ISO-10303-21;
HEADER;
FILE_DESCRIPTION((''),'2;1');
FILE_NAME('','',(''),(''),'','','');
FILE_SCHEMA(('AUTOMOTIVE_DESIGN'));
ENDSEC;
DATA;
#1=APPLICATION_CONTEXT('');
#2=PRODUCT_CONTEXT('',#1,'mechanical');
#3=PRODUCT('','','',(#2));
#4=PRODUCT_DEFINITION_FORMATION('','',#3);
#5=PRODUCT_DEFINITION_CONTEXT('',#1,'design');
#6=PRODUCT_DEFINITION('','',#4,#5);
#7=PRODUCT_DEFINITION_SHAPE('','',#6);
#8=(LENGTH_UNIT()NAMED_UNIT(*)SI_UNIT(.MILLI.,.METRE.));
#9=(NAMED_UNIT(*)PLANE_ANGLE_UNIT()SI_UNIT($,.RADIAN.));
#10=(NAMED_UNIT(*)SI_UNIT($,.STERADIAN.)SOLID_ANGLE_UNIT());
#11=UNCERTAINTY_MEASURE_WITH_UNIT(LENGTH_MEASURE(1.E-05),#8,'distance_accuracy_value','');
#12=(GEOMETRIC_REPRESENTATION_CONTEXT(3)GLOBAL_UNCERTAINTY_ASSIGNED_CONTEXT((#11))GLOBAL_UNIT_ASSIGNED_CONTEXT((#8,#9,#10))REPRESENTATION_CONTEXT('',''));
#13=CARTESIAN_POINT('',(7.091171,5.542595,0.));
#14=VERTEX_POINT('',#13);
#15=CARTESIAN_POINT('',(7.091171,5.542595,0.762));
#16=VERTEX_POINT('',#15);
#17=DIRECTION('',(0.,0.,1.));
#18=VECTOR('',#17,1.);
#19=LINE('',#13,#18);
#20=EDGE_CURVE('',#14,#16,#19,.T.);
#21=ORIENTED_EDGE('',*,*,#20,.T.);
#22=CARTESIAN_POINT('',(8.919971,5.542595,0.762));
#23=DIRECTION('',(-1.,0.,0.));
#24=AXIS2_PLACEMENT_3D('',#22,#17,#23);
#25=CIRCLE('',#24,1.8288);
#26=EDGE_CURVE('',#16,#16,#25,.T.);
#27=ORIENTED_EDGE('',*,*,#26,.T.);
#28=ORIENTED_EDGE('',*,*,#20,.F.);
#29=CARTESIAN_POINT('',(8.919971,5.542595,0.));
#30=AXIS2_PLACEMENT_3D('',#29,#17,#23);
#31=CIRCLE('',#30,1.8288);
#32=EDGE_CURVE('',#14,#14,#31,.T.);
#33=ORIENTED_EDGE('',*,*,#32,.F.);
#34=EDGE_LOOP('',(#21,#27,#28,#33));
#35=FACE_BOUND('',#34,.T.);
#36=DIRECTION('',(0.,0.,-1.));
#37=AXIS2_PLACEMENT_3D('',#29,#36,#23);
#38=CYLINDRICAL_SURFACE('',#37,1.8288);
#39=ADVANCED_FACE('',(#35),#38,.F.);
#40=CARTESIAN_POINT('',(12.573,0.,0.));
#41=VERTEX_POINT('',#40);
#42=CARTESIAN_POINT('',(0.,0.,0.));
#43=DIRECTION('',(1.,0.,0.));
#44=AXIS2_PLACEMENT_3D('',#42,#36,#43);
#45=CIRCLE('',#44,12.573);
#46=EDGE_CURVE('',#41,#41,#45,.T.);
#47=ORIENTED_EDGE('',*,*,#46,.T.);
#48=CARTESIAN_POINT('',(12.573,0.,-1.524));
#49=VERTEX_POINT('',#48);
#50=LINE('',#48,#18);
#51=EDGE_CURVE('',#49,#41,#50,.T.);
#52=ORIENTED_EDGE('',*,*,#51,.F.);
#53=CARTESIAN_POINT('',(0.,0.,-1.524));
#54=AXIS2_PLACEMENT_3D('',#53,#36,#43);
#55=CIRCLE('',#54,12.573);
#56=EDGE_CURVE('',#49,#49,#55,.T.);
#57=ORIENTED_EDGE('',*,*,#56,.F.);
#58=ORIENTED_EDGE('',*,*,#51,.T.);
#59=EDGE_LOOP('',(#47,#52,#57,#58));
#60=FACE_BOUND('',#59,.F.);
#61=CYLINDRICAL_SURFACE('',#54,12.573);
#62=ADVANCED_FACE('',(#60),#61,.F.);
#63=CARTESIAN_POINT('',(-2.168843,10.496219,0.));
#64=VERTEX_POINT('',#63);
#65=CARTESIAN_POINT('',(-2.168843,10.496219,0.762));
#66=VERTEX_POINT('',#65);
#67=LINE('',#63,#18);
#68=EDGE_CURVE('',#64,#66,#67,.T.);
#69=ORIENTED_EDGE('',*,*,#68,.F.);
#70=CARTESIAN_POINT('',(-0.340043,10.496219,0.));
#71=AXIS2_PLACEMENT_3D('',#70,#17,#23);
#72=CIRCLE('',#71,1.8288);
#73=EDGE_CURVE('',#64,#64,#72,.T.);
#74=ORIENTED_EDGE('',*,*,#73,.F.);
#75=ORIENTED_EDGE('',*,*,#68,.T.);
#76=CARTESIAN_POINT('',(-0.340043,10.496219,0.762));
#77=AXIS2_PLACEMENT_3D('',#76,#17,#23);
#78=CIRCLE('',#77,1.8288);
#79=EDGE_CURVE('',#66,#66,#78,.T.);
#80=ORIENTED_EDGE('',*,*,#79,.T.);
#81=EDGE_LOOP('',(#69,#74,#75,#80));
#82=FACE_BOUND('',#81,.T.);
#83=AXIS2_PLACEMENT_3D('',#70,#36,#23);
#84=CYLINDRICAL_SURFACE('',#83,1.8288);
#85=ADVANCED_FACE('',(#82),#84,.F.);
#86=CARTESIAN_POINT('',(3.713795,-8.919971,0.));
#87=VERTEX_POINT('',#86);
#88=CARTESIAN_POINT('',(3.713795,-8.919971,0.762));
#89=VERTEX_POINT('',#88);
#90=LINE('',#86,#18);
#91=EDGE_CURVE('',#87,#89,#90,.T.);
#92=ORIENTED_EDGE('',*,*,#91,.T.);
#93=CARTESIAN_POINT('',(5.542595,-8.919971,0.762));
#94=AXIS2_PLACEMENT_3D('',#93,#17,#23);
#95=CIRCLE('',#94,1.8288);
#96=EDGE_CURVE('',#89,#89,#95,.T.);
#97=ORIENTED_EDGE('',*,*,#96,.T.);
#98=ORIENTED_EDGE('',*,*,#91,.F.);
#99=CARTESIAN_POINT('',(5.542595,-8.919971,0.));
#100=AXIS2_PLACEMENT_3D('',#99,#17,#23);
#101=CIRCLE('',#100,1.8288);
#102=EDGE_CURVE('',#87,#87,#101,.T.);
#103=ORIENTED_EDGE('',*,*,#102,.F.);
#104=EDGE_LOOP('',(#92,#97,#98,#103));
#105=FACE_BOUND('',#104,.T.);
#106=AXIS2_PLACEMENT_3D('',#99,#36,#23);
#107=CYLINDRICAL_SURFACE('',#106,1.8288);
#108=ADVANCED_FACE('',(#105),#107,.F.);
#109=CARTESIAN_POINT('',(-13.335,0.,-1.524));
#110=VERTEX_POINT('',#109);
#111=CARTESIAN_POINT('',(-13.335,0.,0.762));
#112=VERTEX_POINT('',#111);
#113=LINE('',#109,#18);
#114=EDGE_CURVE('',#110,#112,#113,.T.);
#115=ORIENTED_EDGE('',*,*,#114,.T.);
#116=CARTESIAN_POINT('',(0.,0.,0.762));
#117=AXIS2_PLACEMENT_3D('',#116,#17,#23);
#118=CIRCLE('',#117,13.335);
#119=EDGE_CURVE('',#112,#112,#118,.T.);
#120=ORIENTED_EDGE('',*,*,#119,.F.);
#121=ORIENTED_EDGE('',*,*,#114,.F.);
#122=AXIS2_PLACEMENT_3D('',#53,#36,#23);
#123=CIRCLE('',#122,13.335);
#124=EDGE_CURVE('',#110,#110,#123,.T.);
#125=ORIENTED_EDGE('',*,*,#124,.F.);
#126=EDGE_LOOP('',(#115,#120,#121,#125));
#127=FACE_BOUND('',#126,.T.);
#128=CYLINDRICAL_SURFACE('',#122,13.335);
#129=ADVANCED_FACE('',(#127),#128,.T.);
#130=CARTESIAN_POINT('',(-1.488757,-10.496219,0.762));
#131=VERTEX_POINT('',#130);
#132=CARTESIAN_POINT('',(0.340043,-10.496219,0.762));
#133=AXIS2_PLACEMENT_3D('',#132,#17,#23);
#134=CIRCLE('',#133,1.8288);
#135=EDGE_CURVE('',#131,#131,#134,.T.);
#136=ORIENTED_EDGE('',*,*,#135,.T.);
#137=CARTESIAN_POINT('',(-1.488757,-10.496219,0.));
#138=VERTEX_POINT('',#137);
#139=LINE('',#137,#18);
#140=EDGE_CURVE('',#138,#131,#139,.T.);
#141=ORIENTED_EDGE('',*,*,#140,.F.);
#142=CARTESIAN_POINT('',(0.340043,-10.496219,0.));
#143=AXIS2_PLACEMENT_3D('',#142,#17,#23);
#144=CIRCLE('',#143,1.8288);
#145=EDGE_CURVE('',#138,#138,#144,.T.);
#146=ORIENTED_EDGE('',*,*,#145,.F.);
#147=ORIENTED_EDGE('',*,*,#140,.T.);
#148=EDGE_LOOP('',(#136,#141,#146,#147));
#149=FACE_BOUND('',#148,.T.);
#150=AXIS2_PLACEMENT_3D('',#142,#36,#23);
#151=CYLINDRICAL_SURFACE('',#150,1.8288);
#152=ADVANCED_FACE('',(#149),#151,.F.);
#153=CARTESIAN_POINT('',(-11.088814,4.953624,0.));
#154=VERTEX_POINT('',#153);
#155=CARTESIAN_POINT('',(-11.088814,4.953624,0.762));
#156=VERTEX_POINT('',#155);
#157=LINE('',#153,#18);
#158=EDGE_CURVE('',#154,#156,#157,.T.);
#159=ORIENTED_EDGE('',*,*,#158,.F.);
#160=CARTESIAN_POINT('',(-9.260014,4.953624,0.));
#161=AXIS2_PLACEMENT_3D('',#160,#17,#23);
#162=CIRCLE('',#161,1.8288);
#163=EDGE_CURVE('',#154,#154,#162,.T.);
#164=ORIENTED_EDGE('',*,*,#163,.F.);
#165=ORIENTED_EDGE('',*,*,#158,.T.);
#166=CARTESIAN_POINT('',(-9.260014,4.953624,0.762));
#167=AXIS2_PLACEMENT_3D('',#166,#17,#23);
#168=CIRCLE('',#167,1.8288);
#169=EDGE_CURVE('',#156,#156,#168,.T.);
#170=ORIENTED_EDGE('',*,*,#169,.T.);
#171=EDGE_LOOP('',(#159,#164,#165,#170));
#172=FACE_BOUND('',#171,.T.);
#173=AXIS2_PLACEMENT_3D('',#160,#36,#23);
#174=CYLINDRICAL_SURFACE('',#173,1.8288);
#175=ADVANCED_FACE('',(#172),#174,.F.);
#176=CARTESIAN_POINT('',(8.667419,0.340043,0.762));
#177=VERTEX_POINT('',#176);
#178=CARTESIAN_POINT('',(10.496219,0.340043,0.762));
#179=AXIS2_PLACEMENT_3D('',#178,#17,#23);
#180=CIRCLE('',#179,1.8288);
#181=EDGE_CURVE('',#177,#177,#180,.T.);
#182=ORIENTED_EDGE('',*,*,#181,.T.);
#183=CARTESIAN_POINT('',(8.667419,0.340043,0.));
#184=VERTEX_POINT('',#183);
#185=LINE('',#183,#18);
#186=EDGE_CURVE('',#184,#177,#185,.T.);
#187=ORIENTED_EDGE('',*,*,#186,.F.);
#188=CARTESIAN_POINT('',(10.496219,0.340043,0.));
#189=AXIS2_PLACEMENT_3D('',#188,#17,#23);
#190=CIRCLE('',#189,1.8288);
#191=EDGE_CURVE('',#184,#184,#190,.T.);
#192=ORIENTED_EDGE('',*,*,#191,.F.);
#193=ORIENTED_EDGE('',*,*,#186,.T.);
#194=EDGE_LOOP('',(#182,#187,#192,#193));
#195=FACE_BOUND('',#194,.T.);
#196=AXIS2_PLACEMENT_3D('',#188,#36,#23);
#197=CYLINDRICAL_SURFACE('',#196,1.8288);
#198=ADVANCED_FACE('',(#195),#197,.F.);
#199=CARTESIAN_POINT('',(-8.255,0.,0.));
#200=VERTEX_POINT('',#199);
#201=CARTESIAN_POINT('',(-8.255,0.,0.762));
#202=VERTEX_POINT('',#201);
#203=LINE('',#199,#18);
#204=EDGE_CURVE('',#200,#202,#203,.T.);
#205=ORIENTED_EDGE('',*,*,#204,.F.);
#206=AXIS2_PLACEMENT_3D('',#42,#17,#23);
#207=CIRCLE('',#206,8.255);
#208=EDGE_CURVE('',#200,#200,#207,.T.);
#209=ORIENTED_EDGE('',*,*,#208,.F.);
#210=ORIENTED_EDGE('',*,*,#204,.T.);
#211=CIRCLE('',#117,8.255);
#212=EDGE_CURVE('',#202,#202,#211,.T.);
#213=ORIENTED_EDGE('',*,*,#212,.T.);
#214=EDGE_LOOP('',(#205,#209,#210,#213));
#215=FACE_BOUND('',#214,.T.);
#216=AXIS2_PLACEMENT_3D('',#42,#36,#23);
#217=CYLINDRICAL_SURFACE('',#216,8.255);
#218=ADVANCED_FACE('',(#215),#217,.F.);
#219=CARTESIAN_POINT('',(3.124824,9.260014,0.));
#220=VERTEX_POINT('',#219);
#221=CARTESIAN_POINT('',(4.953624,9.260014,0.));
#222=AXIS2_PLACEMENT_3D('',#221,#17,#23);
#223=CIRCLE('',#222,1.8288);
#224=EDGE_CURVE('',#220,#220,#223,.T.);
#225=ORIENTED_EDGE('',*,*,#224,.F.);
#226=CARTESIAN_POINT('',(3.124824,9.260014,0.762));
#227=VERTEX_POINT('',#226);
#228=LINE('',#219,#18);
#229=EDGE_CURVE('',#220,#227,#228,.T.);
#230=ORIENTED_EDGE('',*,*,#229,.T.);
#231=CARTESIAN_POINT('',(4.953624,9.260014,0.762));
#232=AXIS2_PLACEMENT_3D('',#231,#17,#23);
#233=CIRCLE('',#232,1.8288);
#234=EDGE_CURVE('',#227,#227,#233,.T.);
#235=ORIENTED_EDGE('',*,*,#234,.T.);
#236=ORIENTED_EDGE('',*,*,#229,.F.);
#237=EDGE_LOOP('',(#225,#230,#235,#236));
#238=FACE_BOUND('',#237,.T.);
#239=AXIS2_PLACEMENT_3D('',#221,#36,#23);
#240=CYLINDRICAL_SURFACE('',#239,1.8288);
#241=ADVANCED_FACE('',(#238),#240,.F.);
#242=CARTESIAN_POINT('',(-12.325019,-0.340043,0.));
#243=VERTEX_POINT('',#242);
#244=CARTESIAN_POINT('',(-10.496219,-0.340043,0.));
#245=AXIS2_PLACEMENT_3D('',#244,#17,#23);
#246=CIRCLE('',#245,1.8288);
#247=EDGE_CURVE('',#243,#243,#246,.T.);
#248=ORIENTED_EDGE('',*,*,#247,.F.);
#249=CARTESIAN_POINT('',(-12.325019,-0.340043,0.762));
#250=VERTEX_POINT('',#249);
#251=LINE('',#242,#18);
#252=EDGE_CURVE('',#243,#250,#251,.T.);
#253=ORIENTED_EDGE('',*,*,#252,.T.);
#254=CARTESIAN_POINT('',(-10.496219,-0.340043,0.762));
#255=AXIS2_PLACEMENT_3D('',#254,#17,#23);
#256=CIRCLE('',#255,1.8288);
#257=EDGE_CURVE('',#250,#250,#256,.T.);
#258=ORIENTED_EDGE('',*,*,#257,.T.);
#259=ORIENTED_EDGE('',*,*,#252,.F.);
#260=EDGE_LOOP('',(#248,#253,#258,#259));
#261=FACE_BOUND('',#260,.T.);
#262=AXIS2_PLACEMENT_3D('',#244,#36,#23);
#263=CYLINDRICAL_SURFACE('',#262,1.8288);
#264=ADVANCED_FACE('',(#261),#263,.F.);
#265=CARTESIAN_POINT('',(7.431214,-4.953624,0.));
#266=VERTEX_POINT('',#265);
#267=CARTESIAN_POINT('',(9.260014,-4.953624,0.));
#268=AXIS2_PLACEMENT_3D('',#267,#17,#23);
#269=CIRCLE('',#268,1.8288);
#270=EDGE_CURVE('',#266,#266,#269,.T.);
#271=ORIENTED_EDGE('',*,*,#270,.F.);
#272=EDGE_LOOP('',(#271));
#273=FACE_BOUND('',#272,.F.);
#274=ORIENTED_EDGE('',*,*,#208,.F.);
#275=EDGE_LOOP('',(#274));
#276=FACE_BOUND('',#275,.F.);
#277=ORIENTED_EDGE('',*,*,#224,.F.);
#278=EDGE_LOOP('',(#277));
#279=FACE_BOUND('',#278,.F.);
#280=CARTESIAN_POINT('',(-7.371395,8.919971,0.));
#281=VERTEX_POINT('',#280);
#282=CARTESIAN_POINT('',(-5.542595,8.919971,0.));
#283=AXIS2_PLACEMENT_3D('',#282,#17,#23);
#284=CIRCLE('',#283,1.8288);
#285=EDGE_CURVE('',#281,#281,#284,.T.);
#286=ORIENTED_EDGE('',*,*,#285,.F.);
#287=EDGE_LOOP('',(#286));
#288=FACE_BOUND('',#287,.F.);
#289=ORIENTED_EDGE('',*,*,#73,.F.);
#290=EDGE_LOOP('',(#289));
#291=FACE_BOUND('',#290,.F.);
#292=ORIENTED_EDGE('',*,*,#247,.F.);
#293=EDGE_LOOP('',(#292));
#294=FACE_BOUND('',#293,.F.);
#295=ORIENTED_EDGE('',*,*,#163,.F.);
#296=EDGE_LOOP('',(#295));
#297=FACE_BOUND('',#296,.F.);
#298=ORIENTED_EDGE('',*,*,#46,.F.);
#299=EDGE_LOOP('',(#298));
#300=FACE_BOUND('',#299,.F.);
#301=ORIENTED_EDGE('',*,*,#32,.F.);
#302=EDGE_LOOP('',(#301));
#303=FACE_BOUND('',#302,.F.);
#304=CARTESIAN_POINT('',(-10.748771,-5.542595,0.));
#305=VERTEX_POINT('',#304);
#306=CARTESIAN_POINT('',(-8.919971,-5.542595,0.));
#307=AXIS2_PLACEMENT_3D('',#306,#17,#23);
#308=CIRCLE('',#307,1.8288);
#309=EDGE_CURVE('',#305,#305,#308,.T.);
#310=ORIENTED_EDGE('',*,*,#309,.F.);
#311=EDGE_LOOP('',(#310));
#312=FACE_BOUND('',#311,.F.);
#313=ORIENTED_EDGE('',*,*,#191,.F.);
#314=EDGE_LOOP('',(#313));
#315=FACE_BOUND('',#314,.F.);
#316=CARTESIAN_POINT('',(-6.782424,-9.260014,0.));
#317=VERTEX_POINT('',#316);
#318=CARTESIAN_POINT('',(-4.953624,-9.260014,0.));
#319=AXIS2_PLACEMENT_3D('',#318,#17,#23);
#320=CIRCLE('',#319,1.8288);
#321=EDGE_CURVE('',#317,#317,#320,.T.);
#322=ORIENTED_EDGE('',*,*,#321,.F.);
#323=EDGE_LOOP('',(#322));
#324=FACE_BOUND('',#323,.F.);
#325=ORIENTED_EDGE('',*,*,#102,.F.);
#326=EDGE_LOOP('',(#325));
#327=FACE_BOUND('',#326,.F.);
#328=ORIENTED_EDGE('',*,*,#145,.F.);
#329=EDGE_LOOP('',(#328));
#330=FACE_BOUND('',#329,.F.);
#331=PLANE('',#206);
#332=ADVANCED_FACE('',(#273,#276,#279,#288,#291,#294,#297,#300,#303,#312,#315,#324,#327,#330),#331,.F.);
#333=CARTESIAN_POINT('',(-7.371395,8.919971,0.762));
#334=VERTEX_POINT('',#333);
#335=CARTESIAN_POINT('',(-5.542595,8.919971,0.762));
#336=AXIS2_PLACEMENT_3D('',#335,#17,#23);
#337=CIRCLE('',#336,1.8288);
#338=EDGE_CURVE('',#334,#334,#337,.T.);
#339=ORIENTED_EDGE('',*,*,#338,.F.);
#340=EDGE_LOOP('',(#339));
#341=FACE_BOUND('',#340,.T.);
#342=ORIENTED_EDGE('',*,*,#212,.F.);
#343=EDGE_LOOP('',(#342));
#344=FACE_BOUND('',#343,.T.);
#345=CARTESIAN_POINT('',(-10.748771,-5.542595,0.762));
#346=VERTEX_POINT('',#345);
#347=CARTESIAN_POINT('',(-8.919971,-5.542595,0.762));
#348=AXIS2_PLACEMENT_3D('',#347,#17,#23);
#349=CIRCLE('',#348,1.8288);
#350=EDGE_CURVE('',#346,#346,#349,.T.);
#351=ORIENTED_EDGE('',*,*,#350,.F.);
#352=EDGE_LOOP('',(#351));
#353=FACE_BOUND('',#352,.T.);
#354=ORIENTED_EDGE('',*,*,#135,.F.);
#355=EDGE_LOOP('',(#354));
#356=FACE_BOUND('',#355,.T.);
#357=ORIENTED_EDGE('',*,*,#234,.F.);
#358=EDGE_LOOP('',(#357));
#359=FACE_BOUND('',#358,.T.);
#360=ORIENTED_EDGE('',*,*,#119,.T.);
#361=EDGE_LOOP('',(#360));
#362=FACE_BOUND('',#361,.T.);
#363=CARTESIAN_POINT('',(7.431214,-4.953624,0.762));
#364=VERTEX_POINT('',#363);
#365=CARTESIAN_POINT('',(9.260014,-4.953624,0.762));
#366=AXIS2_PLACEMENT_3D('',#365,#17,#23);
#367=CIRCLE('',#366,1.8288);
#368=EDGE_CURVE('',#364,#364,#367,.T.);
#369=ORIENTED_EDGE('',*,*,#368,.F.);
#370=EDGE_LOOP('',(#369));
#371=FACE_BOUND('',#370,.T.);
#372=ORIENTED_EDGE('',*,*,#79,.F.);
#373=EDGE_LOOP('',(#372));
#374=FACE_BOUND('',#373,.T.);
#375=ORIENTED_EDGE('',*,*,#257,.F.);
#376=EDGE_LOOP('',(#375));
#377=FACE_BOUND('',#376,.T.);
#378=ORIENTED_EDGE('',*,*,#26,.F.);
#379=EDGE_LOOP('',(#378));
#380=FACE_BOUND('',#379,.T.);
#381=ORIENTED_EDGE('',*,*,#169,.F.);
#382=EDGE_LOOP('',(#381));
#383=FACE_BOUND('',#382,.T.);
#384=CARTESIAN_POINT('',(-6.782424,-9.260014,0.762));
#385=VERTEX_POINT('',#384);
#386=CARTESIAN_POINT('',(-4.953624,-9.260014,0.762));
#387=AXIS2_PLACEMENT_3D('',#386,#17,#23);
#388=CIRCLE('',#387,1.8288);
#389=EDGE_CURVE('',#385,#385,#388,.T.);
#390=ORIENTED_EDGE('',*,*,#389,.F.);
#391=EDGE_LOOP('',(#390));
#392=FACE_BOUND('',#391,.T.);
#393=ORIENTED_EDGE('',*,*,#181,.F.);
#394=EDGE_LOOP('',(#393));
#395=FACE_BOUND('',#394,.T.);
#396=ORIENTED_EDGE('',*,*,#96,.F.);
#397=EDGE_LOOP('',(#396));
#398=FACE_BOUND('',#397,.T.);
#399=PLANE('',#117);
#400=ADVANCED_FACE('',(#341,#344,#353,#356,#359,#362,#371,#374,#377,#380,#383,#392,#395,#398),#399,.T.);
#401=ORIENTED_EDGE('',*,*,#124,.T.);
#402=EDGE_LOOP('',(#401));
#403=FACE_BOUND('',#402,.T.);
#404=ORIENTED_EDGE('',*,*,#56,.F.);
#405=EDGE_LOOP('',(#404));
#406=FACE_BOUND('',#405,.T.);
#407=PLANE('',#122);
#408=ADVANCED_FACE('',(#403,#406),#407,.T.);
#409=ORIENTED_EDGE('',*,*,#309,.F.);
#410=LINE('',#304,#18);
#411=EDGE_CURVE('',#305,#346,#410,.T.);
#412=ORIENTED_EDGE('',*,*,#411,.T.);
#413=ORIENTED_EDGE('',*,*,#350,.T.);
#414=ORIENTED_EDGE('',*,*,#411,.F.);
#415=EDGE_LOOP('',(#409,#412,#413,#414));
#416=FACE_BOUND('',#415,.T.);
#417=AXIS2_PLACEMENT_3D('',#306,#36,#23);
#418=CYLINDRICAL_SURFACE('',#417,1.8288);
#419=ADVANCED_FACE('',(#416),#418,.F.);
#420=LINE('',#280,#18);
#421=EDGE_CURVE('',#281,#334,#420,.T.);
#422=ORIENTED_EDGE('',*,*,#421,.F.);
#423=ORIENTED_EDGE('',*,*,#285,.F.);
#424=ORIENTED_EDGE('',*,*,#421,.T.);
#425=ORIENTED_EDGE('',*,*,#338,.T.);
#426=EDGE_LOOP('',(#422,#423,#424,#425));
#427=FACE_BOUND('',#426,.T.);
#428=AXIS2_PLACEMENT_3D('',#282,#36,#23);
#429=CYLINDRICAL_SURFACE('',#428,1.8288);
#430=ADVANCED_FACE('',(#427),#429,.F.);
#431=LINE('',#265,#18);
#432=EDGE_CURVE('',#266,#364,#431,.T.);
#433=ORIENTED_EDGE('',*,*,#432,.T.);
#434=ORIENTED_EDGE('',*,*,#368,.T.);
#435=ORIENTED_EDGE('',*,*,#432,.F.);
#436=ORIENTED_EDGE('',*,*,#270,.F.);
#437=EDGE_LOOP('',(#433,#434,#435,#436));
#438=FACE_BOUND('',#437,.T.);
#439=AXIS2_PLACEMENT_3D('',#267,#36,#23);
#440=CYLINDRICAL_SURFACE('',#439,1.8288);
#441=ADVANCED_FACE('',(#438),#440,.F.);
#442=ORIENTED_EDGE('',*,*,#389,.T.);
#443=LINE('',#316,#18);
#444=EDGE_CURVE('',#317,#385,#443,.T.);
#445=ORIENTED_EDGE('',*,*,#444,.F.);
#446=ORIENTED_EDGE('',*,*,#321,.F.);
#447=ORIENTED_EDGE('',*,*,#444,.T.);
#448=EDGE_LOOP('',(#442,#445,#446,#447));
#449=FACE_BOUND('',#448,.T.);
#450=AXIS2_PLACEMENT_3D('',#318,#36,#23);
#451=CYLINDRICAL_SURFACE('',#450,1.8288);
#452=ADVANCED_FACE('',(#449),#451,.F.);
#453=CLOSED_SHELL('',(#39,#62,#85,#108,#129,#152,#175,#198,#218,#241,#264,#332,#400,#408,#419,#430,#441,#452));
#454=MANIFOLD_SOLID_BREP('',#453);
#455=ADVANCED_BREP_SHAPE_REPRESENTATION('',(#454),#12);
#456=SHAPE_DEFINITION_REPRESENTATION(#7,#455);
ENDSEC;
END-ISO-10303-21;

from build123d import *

# Parameters (mm, degrees)
SKETCH1_R           = 13.335
SKETCH1_R_2         = 8.255
SKETCH1_R_3         = 1.8288
BOSS_EXTRUDE1_DEPTH = 0.762
BOSS_EXTRUDE2_START = 1.524
SKETCH2_R           = 13.335
SKETCH2_R_2         = 12.573
BOSS_EXTRUDE2_DEPTH = 1.524


with BuildPart() as part:
    # Sketch1 → Boss-Extrude1 (new body)
    with BuildSketch(Plane.XY):
        with Locations(Location((0, 0, 0), (0, 0, 180))):
            Circle(SKETCH1_R)
        with Locations(Location((0, 0, 0), (0, 0, 180))):
            Circle(SKETCH1_R_2, mode=Mode.SUBTRACT)
        with Locations(Location((8.919971224, 5.542595082, 0), (0, 0, 180))):
            Circle(SKETCH1_R_3, mode=Mode.SUBTRACT)
        with Locations(Location((10.496219222, 0.340042532, 0), (0, 0, 180))):
            Circle(SKETCH1_R_3, mode=Mode.SUBTRACT)
        with Locations(Location((9.260013756, -4.95362414, 0), (0, 0, 180))):
            Circle(SKETCH1_R_3, mode=Mode.SUBTRACT)
        with Locations(Location((5.542595082, -8.919971224, 0), (0, 0, 180))):
            Circle(SKETCH1_R_3, mode=Mode.SUBTRACT)
        with Locations(Location((0.340042532, -10.496219222, 0), (0, 0, 180))):
            Circle(SKETCH1_R_3, mode=Mode.SUBTRACT)
        with Locations(Location((-4.95362414, -9.260013756, 0), (0, 0, 180))):
            Circle(SKETCH1_R_3, mode=Mode.SUBTRACT)
        with Locations(Location((-8.919971224, -5.542595082, 0), (0, 0, 180))):
            Circle(SKETCH1_R_3, mode=Mode.SUBTRACT)
        with Locations(Location((-10.496219222, -0.340042532, 0), (0, 0, 180))):
            Circle(SKETCH1_R_3, mode=Mode.SUBTRACT)
        with Locations(Location((-9.260013756, 4.95362414, 0), (0, 0, 180))):
            Circle(SKETCH1_R_3, mode=Mode.SUBTRACT)
        with Locations(Location((-5.542595082, 8.919971224, 0), (0, 0, 180))):
            Circle(SKETCH1_R_3, mode=Mode.SUBTRACT)
        with Locations(Location((-0.340042532, 10.496219222, 0), (0, 0, 180))):
            Circle(SKETCH1_R_3, mode=Mode.SUBTRACT)
        with Locations(Location((4.95362414, 9.260013756, 0), (0, 0, 180))):
            Circle(SKETCH1_R_3, mode=Mode.SUBTRACT)
    extrude(amount=BOSS_EXTRUDE1_DEPTH)

    # Sketch2 → Boss-Extrude2 (add)
    with BuildSketch(Plane(origin=(0, 0, 0), x_dir=(-1, 0, 0), z_dir=(0, 0, -1)).offset(BOSS_EXTRUDE2_START)):
        Circle(SKETCH2_R)
        with Locations(Location((0, 0, 0), (0, 0, 180))):
            Circle(SKETCH2_R_2, mode=Mode.SUBTRACT)
    extrude(amount=-BOSS_EXTRUDE2_DEPTH)


solid = part.part
